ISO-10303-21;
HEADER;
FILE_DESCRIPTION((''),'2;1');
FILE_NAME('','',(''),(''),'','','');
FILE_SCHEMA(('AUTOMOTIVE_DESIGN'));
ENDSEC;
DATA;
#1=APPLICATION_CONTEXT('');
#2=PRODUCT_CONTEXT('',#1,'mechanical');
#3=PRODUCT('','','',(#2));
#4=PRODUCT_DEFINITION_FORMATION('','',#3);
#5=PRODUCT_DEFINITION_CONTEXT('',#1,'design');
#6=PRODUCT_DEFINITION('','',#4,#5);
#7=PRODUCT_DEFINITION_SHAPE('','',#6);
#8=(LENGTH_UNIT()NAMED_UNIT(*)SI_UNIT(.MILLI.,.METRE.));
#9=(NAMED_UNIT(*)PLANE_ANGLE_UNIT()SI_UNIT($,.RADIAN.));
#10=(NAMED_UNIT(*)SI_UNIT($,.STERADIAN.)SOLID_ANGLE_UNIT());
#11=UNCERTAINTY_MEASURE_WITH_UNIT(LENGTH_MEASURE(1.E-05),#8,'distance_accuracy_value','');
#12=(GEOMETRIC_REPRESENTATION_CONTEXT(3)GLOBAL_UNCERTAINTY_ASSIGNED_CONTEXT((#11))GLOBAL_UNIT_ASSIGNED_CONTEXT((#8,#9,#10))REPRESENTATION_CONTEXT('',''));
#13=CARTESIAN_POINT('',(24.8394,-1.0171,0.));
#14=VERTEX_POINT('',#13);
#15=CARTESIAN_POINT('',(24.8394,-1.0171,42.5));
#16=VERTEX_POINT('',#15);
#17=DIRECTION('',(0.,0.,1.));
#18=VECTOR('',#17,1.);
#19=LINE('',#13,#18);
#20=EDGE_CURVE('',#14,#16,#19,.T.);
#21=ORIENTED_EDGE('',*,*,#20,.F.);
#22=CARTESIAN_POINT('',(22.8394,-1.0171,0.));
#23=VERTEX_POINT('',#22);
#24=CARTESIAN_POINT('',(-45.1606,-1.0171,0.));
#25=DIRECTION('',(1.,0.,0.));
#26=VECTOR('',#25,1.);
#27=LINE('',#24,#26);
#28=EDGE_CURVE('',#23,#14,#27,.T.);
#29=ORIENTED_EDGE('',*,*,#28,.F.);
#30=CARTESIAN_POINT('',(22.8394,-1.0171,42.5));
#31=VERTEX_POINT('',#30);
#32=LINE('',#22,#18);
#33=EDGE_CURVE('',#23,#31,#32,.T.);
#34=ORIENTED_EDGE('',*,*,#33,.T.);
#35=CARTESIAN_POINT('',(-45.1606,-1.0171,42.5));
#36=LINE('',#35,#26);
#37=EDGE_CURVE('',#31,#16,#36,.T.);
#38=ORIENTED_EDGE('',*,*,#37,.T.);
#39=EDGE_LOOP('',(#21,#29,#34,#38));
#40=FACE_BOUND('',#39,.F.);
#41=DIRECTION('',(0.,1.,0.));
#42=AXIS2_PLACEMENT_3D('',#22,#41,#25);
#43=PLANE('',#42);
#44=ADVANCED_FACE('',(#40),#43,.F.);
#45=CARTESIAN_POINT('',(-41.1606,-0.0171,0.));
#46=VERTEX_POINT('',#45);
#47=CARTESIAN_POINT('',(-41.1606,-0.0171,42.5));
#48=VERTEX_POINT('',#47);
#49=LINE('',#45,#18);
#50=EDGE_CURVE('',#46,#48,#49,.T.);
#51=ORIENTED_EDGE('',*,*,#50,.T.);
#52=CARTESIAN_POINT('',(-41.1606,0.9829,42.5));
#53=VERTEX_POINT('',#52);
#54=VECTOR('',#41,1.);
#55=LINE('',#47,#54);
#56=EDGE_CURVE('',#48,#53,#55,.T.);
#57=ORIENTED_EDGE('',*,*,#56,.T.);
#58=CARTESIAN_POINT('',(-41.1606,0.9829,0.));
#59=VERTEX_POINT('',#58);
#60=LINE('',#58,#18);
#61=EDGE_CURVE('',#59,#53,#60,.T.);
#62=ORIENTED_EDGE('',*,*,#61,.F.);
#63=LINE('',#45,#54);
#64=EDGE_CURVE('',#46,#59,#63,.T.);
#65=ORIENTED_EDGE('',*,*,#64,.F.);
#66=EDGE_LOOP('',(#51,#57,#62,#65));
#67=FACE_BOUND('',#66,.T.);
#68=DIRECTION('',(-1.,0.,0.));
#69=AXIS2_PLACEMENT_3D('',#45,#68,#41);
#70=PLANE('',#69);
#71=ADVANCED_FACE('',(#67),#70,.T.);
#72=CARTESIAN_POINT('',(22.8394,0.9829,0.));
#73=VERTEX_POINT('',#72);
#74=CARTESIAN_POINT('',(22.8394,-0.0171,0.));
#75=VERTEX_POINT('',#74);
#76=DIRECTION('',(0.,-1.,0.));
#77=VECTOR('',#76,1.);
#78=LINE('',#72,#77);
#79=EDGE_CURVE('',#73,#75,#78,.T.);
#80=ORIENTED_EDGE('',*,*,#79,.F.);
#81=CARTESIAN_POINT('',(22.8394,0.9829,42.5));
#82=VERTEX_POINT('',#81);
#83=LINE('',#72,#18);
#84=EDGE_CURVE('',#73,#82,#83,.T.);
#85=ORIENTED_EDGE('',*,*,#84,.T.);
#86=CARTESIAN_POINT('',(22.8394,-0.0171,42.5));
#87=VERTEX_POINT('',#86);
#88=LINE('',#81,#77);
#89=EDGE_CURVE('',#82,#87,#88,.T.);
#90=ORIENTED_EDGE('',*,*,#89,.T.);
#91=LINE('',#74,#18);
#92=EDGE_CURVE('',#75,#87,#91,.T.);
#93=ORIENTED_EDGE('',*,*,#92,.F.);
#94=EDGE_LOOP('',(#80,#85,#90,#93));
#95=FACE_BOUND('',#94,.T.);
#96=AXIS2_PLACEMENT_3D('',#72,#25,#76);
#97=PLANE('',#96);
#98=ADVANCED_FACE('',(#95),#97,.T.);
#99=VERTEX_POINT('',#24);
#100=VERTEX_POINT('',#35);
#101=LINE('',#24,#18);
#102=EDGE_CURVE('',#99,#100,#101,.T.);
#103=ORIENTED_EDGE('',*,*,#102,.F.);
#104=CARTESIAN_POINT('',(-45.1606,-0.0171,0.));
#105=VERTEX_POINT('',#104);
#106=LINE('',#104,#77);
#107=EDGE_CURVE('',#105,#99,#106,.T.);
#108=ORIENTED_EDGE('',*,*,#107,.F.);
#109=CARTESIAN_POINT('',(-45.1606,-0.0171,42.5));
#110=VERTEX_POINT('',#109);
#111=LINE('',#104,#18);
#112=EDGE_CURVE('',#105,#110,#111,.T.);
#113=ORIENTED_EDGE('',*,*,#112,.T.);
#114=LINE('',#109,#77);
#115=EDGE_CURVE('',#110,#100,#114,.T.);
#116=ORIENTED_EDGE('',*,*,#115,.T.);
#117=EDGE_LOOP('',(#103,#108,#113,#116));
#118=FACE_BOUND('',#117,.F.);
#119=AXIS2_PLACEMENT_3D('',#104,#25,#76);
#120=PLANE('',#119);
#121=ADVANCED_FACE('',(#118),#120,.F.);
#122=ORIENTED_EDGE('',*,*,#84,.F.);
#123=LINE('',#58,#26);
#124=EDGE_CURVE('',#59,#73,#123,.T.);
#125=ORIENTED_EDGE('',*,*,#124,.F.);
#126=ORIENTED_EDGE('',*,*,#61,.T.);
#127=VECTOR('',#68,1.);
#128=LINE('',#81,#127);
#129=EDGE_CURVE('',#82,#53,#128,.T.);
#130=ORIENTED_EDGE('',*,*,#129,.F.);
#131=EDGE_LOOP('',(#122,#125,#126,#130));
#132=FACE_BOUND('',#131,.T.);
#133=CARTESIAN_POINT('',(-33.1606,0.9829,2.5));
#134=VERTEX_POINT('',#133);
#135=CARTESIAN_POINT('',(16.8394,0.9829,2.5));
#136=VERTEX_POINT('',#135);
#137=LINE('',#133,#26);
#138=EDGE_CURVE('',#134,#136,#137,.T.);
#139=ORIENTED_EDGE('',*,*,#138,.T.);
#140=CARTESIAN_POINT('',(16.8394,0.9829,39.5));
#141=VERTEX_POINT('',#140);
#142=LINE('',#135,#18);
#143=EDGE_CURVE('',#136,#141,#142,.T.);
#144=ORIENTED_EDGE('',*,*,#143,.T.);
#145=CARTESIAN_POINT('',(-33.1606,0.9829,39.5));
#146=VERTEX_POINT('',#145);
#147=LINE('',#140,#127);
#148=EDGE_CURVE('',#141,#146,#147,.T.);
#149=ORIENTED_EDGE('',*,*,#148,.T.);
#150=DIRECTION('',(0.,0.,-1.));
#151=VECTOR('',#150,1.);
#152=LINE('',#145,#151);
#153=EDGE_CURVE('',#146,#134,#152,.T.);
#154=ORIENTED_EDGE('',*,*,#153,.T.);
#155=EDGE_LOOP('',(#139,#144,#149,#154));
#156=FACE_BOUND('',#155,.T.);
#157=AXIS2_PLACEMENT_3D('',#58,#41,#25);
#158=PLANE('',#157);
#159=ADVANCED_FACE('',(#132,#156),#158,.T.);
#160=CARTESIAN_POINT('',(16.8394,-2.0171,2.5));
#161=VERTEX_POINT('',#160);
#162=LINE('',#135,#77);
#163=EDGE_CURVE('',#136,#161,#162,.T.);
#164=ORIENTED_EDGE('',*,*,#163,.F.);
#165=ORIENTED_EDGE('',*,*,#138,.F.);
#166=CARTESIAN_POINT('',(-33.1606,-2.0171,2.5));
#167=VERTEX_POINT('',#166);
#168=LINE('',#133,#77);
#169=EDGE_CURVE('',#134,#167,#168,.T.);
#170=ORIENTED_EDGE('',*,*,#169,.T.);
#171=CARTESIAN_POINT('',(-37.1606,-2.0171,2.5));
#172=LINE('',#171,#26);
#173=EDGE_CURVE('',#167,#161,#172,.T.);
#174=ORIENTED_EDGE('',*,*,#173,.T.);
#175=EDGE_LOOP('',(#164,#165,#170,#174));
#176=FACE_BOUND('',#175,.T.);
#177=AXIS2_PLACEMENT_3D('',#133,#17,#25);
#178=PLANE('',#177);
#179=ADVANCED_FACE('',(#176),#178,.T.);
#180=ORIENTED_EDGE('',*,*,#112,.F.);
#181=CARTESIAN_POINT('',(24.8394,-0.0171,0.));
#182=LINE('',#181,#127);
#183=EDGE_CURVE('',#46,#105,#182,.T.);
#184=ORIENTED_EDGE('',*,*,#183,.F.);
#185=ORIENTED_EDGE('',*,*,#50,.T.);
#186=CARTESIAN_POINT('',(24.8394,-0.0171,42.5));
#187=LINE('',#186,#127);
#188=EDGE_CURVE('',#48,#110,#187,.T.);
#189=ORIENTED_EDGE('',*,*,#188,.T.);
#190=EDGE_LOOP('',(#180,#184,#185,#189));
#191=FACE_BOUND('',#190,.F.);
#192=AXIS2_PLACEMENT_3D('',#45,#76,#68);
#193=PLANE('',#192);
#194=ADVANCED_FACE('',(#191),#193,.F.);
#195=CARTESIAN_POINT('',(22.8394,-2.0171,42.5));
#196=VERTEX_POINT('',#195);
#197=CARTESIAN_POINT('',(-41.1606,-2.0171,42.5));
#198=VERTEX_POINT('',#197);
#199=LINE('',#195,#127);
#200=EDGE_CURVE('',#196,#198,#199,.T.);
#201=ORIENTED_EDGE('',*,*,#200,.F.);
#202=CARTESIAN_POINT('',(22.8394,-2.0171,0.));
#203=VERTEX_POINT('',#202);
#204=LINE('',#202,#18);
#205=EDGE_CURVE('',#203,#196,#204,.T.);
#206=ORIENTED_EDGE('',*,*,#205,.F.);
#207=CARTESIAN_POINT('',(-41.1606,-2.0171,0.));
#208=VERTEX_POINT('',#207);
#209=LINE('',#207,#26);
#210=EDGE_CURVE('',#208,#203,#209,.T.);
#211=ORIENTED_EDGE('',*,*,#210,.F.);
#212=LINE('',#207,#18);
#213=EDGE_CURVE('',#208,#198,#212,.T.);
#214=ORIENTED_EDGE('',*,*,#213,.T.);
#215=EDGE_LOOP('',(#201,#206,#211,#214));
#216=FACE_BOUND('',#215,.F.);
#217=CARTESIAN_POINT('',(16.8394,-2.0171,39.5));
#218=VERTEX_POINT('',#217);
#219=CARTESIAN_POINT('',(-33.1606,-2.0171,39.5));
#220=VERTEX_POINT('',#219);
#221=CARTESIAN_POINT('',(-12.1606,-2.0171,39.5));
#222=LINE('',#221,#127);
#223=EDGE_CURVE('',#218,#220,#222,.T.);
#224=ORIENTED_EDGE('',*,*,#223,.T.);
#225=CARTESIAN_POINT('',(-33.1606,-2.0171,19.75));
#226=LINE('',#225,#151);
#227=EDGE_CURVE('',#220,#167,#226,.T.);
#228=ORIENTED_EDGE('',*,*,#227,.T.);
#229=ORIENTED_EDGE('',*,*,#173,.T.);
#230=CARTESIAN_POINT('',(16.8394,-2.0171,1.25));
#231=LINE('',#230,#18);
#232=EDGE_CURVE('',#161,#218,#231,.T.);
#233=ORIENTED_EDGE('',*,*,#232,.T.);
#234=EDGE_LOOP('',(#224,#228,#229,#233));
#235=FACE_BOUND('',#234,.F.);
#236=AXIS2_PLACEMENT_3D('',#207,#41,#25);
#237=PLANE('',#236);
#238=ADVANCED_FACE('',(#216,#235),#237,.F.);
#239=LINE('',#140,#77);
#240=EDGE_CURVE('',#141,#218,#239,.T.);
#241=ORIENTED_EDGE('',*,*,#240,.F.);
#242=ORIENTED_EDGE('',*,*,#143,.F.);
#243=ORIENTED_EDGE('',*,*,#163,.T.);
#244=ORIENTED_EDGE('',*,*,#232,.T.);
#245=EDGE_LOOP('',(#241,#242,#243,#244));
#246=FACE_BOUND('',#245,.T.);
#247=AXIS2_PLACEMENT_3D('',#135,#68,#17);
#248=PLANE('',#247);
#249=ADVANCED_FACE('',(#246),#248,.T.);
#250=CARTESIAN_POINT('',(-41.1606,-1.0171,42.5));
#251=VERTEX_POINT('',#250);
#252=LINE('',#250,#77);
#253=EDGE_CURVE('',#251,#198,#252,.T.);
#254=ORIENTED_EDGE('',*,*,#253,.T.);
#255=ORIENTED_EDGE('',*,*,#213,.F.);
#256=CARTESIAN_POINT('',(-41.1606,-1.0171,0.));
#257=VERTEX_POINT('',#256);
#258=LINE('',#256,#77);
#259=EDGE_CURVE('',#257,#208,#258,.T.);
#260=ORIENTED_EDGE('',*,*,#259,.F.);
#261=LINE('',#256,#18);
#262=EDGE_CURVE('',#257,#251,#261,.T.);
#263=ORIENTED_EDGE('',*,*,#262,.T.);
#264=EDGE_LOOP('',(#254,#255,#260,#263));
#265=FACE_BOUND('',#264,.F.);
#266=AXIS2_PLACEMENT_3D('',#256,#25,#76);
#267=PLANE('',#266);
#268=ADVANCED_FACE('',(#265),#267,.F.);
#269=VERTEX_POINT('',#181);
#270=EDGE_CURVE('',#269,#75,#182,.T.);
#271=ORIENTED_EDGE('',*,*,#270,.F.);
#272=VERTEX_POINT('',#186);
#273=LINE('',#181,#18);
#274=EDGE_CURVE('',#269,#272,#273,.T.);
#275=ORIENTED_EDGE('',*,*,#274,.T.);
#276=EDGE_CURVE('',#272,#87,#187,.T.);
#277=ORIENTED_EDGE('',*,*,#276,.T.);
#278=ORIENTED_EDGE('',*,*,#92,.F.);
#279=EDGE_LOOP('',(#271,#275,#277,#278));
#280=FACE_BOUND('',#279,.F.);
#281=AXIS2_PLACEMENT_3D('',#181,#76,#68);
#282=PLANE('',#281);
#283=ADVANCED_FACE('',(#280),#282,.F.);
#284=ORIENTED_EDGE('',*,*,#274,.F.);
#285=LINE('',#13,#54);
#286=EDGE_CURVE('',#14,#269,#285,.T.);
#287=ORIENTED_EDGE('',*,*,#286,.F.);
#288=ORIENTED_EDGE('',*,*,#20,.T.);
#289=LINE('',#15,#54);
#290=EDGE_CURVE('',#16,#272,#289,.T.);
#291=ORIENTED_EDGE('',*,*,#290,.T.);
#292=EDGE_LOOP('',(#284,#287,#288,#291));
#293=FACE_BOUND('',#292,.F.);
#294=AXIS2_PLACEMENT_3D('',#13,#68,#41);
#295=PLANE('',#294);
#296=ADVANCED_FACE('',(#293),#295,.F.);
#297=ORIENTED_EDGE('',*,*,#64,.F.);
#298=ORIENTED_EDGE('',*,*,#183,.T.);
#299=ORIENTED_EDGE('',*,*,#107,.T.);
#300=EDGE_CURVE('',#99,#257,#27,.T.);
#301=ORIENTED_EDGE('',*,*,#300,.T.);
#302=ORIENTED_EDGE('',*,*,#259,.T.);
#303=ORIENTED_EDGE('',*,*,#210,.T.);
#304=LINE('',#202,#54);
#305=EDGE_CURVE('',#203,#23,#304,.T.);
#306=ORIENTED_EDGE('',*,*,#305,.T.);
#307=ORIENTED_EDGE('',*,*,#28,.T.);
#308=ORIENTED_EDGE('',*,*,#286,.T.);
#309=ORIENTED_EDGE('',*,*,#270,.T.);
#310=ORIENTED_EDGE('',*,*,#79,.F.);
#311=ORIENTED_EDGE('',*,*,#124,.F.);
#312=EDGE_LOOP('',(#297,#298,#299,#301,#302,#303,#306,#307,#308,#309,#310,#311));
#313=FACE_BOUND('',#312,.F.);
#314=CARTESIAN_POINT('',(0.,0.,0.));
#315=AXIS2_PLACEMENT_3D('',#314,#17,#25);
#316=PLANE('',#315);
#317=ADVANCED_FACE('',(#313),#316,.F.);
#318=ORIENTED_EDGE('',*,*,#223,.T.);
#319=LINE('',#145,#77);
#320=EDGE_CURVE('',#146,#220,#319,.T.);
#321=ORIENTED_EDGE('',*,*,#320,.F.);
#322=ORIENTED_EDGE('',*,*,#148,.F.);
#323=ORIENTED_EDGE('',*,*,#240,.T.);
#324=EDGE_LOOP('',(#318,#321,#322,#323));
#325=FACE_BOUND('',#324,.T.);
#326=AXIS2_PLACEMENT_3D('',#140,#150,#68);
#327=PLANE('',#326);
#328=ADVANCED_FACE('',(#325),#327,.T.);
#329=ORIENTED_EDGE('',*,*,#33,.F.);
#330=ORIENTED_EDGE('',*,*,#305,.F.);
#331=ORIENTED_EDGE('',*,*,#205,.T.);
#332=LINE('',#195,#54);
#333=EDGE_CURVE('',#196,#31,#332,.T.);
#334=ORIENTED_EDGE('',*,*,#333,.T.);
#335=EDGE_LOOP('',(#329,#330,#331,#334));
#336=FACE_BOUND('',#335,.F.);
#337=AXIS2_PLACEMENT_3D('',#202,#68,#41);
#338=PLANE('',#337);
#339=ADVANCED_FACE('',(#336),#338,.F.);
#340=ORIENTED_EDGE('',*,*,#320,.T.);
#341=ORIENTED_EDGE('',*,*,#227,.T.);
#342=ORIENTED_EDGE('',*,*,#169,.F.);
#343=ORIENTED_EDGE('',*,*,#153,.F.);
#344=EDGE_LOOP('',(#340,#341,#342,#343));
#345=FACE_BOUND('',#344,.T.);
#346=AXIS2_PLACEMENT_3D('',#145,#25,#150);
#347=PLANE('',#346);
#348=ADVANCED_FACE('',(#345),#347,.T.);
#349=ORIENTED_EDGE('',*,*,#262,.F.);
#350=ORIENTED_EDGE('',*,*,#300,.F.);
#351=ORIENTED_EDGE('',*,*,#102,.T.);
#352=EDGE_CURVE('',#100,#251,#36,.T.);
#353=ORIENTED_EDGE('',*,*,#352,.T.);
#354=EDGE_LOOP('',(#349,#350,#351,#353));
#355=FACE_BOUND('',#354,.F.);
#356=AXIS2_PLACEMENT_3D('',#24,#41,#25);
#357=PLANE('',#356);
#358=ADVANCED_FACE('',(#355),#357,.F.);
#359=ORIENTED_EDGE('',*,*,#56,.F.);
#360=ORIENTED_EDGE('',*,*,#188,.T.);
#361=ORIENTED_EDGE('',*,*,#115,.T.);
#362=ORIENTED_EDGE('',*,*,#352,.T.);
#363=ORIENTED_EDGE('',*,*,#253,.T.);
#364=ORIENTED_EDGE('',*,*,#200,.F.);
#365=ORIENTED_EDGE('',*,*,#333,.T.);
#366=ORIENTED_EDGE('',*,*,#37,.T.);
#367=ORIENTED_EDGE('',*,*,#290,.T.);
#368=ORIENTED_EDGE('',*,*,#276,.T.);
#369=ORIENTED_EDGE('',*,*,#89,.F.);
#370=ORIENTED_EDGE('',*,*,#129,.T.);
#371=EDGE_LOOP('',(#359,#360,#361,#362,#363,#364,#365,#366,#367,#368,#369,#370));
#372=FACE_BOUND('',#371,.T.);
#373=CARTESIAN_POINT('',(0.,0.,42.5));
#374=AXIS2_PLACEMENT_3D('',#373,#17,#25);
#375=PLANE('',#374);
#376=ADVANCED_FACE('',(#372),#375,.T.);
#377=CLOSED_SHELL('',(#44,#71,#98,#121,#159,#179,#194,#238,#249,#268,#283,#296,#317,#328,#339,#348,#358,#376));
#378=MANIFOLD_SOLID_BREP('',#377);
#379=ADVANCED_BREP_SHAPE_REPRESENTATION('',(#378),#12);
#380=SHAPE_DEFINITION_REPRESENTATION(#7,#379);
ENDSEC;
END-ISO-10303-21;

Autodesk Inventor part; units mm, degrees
ref_plane "YZ Plane" through (0, 0, 0) normal (1, 0, 0) x (0, 1, 0)
ref_plane "XZ Plane" through (0, 0, 0) normal (0, 1, 0) x (-1, 0, 0)
ref_plane "XY Plane" through (0, 0, 0) normal (0, 0, 1) x (1, 0, 0)
sketch "Skizze1" plane through (0, 0, 0) normal (0, 0, 1) x (1, 0, 0)
  circle A0 centre (-20.2101, 34.0775) radius 3.5 projected
  circle A1 centre (16.2899, -67.9225) radius 3.5 projected
  circle A2 centre (27.7899, 31.0775) radius 1.5 projected
  circle A3 centre (-1.7101, -51.9225) radius 1.5 projected
  line L0 (-11.7101, -72.9225) -> (30.2899, -72.9225) projected
  line L1 (30.2899, -72.9225) -> (30.2899, 68.0775) projected
  line L2 (30.2899, 68.0775) -> (-32.7101, 68.0775) projected
  line L3 (-32.7101, 68.0775) -> (-32.7101, -51.9225) projected
  line L4 (-32.7101, -51.9225) -> (-11.7101, -72.9225) projected
  line L5 (24.8394, -0.0171) -> (-45.1606, -0.0171)
  line L6 (-45.1606, -0.0171) -> (-45.1606, -1.0171)
  line L7 (-45.1606, -1.0171) -> (24.8394, -1.0171)
  line L8 (24.8394, -1.0171) -> (24.8394, -0.0171)
  line L9 (22.8394, -1.0171) -> (-41.1606, -1.0171)
  line L10 (-41.1606, -1.0171) -> (-41.1606, -2.0171)
  line L11 (-41.1606, -2.0171) -> (22.8394, -2.0171)
  line L12 (22.8394, -2.0171) -> (22.8394, -1.0171)
  line L13 (22.8394, -0.0171) -> (-41.1606, -0.0171)
  line L14 (-41.1606, -0.0171) -> (-41.1606, 0.9829)
  line L15 (-41.1606, 0.9829) -> (22.8394, 0.9829)
  line L16 (22.8394, 0.9829) -> (22.8394, -0.0171)
  point P0 (0, 0)
  dimension "d0" = 70
  dimension "d1" = 1
  dimension "d2" = 64
  dimension "d3" = 1
  dimension "d4" = 2
  dimension "d5" = 1
extrude "Extrusion1" add sketch "Skizze1" along normal blind 42.5 contours L11 L10 L7 L3 | L3 L7 L12 L11 | L7 L6 L5 L3 | L3 L5 L8 L7 | L15 L16 L5 L3 | L3 L5 L14 L15
sketch "Skizze2" plane through (-41.1606, 0.9829, 0) normal (0, 1, 0) x (1, 0, 0)
  line L0 (64, 0) -> (0, 0) projected
  line L1 (0, 0) -> (0, -42.5) projected
  line L2 (64, -42.5) -> (0, -42.5) projected
  line L3 (64, 0) -> (64, -42.5) projected
  line L4 (58, -39.5) -> (8, -39.5)
  line L5 (8, -39.5) -> (8, -2.5)
  line L6 (8, -2.5) -> (58, -2.5)
  line L7 (58, -2.5) -> (58, -39.5)
  point P0 (41.1606, 0)
  dimension "d8" = 50
  dimension "d9" = 37
  dimension "d10" = 3
  dimension "d11" = 6
extrude "Extrusion2" cut sketch "Skizze2" against normal through all contours L4 L5 L6 L7
ref_plane "Arbeitsebene1" through (-8.1606, 0.9829, 2.5) normal (-1, 0, 0) x (0, 0, 1)
ref_plane "Arbeitsebene2" through (-33.1606, 0.9829, 21) normal (0, 0, 1) x (1, 0, 0)
sketch "Skizze4" plane through (-8.1606, 0.9829, 2.5) normal (-1, 0, 0) x (0, 0, 1)
  line L0 (37, -3) -> (0, -3) projected
  line L1 (18.5, -3) -> (18.5, -33)
  line L2 (18.5, -3) -> (48.5, -3) construction
  line L3 (18.5, -33) -> (63.5, -33)
  point P0 (-2.5, -0.9829)
  dimension "d24" = 30
  dimension "d25" = 90
  dimension "d26" = 45
  dimension "d27" = 90
properties part number "03_LCD_Frame"
